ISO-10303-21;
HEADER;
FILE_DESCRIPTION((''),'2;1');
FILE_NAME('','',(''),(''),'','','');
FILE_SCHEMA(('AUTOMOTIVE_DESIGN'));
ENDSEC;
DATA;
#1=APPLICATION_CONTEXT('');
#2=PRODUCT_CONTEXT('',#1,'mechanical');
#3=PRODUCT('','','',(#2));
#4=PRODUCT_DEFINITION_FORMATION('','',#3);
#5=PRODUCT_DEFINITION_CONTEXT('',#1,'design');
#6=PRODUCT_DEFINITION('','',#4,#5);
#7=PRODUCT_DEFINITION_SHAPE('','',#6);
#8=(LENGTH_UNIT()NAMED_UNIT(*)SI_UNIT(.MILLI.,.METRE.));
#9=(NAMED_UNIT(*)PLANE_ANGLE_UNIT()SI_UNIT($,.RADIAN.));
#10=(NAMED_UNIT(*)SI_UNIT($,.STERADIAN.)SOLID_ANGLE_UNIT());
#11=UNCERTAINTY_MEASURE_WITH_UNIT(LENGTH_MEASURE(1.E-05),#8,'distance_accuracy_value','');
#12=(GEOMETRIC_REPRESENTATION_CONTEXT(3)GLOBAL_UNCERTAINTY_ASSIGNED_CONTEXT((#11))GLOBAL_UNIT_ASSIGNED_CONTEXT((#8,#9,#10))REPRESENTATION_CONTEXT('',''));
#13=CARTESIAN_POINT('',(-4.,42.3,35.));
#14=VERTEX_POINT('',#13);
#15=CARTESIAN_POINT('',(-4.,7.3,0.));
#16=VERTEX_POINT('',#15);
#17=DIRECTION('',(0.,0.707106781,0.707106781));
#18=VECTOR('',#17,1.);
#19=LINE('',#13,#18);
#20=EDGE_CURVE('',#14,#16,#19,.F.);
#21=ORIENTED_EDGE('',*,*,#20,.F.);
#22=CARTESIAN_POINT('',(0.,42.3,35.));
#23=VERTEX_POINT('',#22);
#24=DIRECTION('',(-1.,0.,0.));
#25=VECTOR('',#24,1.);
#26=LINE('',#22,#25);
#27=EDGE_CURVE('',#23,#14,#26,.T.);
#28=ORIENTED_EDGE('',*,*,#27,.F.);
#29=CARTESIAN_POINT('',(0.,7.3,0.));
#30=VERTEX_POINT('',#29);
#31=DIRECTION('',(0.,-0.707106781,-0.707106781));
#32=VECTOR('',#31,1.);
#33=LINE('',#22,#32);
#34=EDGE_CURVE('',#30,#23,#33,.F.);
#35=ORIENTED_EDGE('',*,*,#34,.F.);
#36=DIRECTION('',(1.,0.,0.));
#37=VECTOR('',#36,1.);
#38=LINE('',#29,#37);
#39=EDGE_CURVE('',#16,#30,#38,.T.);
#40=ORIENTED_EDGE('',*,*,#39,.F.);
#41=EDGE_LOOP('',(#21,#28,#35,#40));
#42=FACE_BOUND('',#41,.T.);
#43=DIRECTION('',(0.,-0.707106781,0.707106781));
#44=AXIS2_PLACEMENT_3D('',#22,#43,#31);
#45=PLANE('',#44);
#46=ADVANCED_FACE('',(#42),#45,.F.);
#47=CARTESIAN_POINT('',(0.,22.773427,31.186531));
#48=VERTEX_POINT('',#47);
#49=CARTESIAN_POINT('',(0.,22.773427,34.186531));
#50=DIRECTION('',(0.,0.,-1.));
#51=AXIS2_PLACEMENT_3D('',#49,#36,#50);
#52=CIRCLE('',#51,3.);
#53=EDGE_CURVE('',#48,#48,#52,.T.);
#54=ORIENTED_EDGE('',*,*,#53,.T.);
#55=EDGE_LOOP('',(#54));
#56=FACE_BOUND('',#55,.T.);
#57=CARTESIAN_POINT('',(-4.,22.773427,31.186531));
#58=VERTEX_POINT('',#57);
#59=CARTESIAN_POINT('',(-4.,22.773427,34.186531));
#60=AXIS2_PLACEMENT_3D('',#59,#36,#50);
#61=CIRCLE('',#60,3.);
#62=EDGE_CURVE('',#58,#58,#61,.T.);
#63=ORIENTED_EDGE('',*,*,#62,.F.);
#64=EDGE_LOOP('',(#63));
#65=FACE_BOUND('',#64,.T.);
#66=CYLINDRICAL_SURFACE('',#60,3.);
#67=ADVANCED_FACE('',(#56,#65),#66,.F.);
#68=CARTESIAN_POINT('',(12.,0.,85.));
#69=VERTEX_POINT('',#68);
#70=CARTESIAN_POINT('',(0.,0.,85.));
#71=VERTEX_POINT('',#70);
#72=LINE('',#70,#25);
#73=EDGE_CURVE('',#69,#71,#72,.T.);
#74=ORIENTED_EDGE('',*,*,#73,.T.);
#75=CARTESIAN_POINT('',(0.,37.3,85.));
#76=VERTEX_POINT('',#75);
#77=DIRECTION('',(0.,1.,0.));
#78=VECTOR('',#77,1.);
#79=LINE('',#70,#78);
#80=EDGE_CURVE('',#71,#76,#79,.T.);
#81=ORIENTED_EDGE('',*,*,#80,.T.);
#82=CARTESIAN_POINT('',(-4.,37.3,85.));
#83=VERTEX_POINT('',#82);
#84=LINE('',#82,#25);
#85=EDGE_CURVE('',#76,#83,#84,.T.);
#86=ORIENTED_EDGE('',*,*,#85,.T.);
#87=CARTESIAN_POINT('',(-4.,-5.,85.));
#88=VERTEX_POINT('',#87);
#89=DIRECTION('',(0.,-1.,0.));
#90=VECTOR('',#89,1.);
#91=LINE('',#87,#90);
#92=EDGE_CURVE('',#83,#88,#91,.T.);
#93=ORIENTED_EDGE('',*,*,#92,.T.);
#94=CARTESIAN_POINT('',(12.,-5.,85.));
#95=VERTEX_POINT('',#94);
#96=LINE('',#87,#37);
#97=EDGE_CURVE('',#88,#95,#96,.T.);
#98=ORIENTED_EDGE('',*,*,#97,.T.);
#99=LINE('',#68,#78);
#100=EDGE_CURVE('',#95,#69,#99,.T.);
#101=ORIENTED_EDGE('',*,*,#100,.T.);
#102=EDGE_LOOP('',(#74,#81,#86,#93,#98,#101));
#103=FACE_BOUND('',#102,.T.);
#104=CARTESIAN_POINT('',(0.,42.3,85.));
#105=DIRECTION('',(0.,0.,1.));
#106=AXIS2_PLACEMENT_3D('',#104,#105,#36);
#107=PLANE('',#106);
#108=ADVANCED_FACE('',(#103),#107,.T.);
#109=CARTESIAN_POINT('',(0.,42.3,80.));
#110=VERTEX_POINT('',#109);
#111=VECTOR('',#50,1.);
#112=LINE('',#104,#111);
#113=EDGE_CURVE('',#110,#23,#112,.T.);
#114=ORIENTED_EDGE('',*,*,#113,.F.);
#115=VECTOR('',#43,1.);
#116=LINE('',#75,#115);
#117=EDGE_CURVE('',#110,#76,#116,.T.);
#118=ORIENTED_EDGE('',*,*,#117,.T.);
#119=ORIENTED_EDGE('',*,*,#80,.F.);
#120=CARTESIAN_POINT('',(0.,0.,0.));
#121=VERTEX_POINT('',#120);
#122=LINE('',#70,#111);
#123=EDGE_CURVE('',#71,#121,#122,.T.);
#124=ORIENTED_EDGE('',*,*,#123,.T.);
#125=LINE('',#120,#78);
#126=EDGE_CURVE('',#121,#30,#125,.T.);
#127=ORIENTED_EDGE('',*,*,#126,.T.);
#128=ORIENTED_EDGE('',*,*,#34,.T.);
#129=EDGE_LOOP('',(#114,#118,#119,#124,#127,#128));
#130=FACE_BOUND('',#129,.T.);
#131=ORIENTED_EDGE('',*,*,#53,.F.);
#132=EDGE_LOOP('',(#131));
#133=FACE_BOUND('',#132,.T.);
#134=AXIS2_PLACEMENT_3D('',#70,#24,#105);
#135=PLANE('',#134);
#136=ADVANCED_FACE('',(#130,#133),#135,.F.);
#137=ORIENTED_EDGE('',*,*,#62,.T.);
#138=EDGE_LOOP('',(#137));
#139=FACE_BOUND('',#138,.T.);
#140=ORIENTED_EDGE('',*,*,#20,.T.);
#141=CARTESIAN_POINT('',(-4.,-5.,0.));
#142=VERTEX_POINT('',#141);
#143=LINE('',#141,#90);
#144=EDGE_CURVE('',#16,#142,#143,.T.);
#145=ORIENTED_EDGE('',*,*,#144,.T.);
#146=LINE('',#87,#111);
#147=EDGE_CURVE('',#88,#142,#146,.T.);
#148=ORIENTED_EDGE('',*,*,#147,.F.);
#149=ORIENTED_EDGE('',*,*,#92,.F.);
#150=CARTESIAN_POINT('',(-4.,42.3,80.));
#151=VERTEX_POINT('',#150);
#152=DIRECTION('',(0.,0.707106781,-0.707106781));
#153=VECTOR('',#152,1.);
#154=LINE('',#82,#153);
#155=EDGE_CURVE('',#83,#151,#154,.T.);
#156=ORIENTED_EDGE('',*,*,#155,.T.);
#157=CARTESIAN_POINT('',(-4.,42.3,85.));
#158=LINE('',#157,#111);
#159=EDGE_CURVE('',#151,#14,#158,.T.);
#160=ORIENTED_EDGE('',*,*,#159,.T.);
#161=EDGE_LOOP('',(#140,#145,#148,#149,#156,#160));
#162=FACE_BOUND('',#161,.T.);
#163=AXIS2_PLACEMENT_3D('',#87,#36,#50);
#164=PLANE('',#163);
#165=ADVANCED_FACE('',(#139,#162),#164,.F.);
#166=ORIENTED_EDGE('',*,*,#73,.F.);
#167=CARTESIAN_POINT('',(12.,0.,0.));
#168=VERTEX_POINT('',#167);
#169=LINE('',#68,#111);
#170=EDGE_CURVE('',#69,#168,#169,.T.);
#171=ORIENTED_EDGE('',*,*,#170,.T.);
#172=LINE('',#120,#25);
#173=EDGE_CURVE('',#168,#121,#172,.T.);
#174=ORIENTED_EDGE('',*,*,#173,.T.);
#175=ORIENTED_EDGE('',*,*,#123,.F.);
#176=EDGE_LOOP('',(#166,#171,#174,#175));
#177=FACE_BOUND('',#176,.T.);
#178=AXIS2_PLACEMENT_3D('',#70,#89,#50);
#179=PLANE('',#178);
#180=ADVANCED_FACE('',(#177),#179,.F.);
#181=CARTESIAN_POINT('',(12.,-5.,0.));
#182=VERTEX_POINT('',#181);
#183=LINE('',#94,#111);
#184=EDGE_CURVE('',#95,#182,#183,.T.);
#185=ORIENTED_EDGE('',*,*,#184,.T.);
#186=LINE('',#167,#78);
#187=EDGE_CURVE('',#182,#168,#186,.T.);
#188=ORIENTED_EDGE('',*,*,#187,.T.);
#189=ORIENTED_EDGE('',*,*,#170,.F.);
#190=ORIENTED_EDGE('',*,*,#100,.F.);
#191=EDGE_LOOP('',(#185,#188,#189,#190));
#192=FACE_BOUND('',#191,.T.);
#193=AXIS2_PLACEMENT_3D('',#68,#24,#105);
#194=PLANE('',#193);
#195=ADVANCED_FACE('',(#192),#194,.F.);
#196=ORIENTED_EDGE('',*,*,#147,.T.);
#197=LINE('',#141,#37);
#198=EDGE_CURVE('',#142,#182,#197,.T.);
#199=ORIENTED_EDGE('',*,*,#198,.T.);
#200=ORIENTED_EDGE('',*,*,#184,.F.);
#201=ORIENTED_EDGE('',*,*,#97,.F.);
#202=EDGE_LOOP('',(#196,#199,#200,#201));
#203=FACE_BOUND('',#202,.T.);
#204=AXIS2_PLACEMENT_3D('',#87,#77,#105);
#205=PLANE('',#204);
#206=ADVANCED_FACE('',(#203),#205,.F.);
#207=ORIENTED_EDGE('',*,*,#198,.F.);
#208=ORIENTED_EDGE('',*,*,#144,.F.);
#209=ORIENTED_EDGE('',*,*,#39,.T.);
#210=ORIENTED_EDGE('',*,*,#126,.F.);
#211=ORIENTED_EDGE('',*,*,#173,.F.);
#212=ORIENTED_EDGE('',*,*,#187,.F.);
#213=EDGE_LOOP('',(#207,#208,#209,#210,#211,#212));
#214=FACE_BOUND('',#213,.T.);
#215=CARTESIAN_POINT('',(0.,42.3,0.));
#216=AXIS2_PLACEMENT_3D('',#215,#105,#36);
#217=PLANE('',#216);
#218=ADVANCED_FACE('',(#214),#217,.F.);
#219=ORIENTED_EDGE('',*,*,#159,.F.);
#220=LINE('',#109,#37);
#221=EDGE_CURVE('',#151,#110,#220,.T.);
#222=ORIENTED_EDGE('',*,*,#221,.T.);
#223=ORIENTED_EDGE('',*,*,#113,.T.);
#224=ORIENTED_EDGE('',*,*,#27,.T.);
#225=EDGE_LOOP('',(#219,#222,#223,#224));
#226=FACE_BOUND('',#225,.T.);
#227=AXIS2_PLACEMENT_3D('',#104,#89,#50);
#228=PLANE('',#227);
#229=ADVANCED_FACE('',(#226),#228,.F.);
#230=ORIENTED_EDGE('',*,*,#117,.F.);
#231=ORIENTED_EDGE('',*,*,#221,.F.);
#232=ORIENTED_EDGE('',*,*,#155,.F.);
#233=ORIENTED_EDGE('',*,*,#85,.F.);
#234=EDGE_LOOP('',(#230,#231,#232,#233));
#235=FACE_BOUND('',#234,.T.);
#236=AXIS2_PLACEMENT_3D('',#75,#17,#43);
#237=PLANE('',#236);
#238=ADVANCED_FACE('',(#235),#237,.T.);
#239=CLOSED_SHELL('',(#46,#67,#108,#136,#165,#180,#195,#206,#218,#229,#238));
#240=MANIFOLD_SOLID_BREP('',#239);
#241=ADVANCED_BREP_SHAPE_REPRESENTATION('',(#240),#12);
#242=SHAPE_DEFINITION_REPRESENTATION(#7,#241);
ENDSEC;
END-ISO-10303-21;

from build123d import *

# Parameters (mm, degrees)
EXTRUDE_1_DEPTH     = 85
SKETCH_2_R          = 3
CUT_EXTRUDE_1_DEPTH = 96.698955062
CHAMFER_1_SIZE      = 35
CHAMFER_2_SIZE      = 5


with BuildPart() as part:
    # Эскиз1 → Вытянуть1 (new body)
    with BuildSketch(Plane.XY):
        Polygon((0, 0), (12, 0), (12, -5), (-4, -5), (-4, 42.3), (0, 42.3), align=None)
    extrude(amount=EXTRUDE_1_DEPTH)

    # Эскиз2 → Вырез-Вытянуть1 (cut, through all)
    with BuildSketch(Plane(origin=(0, 0, 0), x_dir=(0, 0, -1), z_dir=(1, 0, 0))):
        with Locations((-34.186530765, 22.773427237)):
            Circle(SKETCH_2_R)
    extrude(amount=-CUT_EXTRUDE_1_DEPTH, mode=Mode.SUBTRACT)

    # Фаска1
    chamfer_1_edges = [part.edges().sort_by_distance(p)[0] for p in [
        (-2, 42.3, 0),
    ]]
    chamfer(chamfer_1_edges, length=CHAMFER_1_SIZE)

    # Фаска2
    chamfer_2_edges = [part.edges().sort_by_distance(p)[0] for p in [
        (-2, 42.3, 85),
    ]]
    chamfer(chamfer_2_edges, length=CHAMFER_2_SIZE)


solid = part.part
